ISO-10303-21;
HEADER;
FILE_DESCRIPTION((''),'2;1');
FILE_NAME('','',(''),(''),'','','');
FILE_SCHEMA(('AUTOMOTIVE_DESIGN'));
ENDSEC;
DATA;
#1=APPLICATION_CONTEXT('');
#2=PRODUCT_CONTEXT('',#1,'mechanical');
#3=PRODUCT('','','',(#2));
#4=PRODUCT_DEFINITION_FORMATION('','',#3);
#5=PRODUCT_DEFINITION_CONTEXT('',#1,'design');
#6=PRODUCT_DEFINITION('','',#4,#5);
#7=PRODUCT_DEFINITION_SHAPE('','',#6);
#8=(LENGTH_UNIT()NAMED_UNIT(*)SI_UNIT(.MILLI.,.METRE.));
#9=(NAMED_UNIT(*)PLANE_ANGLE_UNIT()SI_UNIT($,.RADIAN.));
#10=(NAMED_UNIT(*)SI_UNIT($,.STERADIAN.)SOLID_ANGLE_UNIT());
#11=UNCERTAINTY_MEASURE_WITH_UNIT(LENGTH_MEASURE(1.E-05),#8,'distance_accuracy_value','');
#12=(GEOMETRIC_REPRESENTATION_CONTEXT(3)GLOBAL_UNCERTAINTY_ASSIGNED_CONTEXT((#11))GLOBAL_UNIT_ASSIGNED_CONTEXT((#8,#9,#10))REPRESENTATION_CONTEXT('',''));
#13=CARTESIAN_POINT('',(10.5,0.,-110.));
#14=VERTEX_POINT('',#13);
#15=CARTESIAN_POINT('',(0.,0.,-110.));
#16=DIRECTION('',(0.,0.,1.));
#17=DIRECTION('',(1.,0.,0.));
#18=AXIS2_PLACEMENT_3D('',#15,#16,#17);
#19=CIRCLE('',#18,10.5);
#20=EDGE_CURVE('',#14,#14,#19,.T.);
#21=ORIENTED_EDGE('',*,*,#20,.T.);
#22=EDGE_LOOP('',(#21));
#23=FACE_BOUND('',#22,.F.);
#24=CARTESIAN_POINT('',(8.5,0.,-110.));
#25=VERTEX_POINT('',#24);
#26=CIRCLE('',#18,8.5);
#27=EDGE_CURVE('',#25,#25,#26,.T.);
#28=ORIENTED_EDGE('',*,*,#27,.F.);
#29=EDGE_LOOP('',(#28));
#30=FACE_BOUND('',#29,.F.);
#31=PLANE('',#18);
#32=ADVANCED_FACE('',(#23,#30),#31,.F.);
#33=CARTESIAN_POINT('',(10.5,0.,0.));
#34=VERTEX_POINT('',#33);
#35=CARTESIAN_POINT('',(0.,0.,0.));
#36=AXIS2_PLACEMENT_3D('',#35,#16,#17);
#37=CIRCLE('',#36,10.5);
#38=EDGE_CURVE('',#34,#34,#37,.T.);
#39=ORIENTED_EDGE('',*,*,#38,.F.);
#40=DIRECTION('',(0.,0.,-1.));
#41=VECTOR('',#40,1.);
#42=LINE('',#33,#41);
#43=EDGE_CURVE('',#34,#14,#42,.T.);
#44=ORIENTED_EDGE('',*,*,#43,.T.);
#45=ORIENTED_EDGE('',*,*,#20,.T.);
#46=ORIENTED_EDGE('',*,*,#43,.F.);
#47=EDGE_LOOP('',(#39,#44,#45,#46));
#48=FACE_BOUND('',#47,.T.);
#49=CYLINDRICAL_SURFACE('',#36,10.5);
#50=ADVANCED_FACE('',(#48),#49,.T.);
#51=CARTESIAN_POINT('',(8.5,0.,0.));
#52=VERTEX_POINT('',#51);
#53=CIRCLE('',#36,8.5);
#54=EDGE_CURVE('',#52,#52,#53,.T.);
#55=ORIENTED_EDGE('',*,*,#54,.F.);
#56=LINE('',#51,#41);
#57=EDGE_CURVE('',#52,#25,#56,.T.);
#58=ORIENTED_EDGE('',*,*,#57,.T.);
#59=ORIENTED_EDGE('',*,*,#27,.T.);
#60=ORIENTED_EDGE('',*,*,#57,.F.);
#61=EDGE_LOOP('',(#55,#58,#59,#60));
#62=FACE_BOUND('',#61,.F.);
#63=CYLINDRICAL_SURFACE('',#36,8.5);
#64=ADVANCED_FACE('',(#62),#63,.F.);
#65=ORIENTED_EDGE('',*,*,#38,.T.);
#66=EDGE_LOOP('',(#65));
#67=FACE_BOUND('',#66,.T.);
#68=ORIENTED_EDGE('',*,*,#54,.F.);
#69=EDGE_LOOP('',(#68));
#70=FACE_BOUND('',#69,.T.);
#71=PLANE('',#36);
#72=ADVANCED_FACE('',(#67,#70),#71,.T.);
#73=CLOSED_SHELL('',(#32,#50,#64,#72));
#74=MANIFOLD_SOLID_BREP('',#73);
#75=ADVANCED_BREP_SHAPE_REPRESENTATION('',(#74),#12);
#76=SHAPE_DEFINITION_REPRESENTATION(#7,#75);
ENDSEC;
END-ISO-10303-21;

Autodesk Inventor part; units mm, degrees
ref_plane "YZ Plane" through (0, 0, 0) normal (1, 0, 0) x (0, 1, 0)
ref_plane "XZ Plane" through (0, 0, 0) normal (0, 1, 0) x (-1, 0, 0)
ref_plane "XY Plane" through (0, 0, 0) normal (0, 0, 1) x (1, 0, 0)
sketch "Sketch11" plane through (0, 0, 0) normal (0, 0, 1) x (1, 0, 0)
  circle A0 centre (0, 0) radius 10.5
  circle A1 centre (0, 0) radius 8.5
  dimension "d187" = 21
  dimension "d188" = 2
extrude "Extrusion5" add sketch "Sketch11" against normal blind 110
properties part number "ANP 1448 FDS thread  tube8" material "Stainless Steel"
